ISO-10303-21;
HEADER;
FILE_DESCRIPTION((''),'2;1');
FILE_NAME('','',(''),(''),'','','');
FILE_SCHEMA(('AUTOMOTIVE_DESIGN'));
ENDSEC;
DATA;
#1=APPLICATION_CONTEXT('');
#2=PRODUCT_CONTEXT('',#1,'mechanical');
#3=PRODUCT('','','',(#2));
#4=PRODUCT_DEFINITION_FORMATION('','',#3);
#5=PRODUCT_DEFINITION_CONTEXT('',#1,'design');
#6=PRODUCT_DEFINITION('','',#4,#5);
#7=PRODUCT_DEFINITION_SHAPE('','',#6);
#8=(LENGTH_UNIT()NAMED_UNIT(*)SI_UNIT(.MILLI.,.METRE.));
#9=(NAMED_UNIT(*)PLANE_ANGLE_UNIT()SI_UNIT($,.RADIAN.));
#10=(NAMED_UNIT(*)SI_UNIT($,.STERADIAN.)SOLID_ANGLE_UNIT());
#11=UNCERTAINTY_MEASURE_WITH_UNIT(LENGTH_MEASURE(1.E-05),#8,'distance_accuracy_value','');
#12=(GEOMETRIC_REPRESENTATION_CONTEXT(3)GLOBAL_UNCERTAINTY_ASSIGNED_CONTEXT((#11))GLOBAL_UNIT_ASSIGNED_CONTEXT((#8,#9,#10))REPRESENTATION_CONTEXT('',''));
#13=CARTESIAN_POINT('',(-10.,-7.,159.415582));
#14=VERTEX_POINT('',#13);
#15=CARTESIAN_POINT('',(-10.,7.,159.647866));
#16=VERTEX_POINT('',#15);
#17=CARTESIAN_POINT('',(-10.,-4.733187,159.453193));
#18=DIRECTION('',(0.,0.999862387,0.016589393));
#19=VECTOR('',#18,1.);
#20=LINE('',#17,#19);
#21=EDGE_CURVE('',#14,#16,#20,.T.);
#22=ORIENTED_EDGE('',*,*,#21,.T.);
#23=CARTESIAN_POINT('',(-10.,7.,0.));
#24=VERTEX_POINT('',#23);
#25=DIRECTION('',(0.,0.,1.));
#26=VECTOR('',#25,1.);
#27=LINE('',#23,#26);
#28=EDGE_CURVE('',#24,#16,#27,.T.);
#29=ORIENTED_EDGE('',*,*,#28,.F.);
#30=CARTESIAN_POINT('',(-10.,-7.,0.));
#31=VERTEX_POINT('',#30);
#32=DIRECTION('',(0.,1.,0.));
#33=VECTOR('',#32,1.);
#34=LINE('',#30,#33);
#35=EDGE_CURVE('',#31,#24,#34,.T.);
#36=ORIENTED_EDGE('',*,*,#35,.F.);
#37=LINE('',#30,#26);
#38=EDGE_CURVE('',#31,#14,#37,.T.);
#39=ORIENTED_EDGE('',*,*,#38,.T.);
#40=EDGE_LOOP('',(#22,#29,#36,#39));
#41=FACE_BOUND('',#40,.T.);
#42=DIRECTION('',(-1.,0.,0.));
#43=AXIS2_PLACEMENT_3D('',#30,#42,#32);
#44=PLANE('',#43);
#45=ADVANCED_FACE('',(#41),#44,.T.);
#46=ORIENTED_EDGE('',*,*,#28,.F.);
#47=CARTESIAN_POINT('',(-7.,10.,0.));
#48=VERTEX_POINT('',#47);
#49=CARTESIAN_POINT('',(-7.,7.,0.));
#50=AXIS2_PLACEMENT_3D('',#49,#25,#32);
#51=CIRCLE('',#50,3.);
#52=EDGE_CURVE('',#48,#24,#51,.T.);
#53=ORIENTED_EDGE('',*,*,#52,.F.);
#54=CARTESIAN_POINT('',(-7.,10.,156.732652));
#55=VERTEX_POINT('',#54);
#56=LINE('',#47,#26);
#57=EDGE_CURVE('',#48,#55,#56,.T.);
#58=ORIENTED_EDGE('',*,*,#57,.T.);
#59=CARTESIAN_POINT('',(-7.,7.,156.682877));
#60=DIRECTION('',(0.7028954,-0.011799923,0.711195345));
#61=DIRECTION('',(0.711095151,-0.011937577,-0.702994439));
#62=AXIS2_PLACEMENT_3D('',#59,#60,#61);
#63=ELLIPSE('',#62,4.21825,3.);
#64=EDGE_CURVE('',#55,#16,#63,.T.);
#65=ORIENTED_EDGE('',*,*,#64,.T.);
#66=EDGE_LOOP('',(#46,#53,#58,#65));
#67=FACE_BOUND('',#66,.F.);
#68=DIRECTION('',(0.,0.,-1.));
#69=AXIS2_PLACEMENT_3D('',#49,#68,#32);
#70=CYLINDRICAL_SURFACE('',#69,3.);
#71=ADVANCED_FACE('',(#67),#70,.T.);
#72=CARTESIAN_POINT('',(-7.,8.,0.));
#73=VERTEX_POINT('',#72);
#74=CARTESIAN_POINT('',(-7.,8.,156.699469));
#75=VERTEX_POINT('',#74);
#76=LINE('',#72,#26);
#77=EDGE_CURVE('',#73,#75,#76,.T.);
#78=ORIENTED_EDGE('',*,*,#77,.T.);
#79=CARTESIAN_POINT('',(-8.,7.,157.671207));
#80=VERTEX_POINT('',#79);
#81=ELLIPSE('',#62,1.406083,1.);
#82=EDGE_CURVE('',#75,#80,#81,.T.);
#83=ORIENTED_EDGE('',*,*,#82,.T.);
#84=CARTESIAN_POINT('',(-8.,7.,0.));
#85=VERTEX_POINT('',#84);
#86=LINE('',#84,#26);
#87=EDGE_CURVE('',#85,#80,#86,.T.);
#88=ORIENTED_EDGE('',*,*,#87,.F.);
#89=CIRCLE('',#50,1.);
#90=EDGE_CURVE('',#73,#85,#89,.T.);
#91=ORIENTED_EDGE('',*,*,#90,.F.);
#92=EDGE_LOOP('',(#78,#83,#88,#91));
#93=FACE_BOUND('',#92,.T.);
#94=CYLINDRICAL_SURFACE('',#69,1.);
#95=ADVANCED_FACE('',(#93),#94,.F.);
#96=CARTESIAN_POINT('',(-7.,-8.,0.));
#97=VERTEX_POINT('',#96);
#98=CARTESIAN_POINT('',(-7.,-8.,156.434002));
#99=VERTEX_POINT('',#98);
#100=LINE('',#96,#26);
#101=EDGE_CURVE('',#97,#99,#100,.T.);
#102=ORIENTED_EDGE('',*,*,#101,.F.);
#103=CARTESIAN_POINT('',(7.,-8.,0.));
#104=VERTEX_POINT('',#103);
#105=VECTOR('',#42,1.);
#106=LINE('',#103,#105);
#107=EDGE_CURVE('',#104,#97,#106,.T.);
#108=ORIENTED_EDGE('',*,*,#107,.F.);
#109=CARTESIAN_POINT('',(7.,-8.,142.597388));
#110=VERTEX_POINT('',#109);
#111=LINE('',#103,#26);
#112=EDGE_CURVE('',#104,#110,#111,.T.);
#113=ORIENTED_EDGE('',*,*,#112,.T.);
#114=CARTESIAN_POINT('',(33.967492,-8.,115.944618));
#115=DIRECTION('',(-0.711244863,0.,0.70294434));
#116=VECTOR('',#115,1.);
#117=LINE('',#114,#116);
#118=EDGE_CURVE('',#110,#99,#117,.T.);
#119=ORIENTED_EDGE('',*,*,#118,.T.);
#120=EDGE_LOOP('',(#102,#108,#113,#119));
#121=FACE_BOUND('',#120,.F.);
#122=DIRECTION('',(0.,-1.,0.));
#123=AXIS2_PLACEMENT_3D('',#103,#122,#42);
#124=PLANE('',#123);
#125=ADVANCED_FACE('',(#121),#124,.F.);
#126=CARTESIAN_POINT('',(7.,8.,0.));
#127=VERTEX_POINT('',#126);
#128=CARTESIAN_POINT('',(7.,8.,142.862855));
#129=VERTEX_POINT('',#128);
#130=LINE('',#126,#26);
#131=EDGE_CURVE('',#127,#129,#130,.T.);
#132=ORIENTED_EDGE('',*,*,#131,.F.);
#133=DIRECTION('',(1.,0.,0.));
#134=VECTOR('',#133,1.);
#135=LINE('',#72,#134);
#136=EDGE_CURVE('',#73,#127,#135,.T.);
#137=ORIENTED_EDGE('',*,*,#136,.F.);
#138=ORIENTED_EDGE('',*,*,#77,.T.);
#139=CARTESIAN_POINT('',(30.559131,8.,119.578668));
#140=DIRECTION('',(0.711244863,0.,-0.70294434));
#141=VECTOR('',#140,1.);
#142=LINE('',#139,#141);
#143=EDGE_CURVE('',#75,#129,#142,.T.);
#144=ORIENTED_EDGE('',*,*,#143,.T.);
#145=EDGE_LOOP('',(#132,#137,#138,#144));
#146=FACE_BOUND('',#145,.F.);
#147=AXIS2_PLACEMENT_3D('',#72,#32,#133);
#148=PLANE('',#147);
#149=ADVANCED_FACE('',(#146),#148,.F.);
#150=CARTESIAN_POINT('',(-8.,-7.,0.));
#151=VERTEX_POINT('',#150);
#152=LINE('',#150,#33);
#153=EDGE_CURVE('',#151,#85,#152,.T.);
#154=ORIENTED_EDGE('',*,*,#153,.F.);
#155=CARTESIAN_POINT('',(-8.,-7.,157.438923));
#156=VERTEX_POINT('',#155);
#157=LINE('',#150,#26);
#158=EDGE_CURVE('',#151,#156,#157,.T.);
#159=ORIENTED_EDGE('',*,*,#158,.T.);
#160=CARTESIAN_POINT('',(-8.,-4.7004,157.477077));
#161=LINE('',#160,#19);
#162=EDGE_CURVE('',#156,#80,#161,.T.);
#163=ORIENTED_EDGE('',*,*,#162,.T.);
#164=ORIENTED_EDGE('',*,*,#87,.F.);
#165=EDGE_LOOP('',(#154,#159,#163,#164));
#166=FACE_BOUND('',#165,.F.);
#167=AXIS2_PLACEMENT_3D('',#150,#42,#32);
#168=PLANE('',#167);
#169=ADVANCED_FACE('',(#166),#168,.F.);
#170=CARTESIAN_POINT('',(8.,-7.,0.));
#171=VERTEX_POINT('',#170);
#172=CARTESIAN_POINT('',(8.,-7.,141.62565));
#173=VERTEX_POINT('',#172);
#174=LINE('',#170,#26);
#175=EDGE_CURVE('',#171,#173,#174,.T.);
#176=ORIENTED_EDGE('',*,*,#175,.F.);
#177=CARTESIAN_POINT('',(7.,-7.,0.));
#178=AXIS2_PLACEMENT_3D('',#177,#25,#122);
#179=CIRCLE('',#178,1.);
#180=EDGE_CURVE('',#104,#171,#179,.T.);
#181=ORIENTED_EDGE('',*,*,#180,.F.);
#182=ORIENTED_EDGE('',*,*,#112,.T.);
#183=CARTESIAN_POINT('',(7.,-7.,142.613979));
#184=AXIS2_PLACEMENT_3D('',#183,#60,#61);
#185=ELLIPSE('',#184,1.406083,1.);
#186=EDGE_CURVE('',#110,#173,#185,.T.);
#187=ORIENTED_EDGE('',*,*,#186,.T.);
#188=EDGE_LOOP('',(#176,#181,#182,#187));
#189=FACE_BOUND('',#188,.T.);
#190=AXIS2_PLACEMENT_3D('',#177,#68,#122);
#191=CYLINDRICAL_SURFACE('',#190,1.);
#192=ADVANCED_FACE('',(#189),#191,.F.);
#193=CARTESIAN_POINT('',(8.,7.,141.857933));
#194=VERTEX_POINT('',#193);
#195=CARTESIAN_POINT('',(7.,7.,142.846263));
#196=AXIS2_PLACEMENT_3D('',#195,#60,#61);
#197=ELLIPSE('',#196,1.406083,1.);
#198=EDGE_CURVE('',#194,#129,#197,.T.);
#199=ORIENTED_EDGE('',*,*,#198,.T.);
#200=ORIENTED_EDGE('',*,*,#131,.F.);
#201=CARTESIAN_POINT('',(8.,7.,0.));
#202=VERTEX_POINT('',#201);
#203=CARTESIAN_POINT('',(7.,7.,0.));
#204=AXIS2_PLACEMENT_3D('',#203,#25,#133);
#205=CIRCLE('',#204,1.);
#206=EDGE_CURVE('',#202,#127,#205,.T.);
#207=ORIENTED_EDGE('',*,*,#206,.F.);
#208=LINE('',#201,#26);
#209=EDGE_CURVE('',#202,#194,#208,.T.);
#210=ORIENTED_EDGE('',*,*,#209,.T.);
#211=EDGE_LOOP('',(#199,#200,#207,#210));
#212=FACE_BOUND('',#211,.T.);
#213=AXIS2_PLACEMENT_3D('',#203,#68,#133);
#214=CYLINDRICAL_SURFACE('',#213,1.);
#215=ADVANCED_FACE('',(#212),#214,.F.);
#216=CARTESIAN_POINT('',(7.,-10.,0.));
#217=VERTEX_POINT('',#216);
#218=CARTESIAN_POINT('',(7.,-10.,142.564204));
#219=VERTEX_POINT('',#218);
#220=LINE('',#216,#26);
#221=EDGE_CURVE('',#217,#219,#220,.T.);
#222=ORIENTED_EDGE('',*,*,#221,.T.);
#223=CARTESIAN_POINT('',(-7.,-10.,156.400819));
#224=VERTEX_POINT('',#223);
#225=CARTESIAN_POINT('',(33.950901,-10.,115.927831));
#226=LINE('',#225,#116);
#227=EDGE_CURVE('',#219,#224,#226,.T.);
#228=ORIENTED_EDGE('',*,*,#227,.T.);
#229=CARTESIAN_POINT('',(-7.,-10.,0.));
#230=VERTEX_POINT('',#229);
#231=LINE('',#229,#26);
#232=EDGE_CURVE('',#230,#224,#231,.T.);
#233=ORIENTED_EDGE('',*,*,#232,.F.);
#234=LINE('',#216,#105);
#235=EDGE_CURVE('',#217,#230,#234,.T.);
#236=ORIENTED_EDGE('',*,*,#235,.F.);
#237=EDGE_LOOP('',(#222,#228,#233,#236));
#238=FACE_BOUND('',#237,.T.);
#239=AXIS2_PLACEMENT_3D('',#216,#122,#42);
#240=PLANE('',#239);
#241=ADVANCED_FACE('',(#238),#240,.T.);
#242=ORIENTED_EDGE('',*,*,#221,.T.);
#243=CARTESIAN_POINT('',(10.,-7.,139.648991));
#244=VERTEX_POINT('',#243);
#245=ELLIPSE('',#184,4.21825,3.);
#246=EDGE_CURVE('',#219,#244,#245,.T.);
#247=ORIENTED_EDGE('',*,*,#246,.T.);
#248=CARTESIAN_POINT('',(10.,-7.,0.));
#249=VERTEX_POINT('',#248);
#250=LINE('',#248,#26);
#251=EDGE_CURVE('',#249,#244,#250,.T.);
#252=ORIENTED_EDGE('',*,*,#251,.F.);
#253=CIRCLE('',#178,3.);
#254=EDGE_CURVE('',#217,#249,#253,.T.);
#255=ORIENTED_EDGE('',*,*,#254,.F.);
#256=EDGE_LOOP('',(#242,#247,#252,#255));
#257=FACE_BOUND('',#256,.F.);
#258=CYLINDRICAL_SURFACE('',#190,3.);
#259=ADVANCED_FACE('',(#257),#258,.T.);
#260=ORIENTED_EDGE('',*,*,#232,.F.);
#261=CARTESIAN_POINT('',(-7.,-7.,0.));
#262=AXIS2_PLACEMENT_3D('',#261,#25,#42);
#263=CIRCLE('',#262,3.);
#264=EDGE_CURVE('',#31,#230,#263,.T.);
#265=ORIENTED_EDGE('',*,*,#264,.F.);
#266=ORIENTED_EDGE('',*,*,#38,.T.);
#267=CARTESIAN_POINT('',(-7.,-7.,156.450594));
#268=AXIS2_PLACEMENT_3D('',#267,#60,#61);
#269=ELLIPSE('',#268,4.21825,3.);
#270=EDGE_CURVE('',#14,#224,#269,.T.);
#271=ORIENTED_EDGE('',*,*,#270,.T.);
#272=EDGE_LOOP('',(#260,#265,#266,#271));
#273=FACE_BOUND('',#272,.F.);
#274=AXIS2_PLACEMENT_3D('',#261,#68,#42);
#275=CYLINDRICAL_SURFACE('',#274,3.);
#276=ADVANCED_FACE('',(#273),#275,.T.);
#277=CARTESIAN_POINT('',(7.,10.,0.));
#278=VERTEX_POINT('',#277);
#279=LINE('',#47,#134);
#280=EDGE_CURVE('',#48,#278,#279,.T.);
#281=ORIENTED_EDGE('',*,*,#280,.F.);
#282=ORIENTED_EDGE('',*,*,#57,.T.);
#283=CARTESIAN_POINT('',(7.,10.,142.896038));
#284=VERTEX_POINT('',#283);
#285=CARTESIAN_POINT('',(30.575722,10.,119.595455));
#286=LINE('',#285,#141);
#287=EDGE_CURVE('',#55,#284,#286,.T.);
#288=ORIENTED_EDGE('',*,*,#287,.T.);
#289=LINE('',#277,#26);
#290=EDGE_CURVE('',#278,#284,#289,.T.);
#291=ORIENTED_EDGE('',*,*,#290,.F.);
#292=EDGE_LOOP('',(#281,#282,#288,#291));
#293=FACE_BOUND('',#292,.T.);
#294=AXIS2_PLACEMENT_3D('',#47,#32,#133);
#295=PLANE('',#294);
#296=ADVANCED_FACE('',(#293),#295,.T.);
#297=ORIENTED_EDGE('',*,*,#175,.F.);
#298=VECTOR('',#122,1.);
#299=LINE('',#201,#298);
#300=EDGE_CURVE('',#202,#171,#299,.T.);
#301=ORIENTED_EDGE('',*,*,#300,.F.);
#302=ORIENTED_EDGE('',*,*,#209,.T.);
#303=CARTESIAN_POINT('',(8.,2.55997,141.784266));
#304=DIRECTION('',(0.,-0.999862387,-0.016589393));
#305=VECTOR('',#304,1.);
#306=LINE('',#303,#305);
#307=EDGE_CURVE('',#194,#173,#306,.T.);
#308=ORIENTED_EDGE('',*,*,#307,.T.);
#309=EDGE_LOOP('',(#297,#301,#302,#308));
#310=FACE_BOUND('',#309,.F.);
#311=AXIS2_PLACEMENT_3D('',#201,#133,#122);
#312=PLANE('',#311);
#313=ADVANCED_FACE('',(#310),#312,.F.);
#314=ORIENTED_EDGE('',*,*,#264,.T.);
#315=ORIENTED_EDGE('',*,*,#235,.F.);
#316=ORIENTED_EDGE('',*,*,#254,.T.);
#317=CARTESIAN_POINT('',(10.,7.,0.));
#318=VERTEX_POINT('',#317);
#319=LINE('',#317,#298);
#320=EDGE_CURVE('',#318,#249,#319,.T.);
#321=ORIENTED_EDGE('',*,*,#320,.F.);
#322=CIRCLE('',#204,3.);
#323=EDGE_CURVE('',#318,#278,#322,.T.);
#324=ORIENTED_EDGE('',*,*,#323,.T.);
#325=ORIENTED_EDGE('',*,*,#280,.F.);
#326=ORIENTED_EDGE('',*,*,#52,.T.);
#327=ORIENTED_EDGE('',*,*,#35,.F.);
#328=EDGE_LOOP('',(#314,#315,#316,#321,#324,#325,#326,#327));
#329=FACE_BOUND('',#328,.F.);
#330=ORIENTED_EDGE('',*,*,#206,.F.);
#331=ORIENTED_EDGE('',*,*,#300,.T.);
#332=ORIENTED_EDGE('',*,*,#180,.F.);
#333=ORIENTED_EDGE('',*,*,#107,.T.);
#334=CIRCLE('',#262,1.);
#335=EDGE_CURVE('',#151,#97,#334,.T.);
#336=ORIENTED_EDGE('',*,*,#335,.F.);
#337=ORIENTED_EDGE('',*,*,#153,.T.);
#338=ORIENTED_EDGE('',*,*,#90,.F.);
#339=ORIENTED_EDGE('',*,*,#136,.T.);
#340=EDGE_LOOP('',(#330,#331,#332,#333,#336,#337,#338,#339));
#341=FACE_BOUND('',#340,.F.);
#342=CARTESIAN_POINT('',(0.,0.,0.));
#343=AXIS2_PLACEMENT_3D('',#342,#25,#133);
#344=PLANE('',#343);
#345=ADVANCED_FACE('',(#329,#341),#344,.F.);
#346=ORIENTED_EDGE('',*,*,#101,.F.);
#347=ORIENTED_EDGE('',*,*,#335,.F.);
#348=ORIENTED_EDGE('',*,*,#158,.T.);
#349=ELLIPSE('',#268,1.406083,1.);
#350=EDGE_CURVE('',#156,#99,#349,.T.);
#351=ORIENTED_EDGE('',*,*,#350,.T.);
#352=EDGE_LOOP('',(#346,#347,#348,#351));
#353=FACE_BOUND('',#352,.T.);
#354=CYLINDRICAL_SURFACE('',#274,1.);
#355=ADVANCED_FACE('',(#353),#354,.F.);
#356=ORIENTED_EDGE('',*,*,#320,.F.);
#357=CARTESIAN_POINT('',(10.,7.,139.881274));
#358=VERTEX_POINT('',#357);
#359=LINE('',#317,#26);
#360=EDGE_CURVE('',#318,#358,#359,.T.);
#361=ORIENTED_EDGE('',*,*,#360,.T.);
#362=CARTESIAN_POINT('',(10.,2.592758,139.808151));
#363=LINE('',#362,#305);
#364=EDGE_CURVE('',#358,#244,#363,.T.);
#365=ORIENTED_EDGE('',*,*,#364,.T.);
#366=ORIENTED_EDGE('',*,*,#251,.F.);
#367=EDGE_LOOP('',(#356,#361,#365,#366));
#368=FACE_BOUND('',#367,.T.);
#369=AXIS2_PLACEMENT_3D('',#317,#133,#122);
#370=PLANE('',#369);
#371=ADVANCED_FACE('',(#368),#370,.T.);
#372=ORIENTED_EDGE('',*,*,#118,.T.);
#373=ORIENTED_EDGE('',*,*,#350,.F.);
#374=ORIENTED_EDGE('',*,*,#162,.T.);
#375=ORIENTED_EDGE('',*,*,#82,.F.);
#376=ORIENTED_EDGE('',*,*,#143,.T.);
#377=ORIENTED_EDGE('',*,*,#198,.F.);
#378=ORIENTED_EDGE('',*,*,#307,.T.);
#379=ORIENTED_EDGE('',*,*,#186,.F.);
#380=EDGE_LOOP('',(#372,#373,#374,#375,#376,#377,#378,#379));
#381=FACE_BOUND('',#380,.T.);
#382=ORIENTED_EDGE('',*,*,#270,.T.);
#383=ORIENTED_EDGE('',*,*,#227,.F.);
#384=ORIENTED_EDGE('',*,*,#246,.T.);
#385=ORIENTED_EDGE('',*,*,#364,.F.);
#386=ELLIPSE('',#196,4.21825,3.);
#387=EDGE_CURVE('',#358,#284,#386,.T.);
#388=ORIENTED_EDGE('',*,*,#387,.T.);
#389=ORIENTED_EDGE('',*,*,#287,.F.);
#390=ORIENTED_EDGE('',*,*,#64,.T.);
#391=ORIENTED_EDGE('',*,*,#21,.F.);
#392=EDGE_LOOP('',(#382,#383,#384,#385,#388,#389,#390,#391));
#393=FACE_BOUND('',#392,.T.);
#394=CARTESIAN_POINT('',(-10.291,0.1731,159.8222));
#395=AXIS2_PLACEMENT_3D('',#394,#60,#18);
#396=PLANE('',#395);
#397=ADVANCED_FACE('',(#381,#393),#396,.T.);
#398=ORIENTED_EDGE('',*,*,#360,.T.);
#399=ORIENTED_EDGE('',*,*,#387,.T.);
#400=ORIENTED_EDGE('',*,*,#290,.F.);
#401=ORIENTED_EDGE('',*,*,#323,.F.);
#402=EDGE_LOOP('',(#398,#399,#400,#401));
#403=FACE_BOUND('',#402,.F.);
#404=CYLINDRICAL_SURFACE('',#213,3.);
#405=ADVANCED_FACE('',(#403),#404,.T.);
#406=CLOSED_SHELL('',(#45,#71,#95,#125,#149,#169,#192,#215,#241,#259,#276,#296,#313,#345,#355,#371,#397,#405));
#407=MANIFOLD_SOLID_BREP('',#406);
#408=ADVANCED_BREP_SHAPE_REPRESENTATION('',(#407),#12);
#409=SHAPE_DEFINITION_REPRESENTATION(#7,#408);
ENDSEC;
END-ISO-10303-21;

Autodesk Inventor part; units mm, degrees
ref_plane "Start Plane" through (0, 0, 0) normal (0, 0, 1) x (1, 0, 0)
ref_plane "End Plane" through (0, 0, 159.6979) normal (0, 0, 1) x (1, 0, 0)
sketch "Sketch" plane through (0, 0, 0) normal (0, 0, 1) x (1, 0, 0)
  line L0 (-10, -7) -> (-10, 7)
  line L1 (-7, 10) -> (7, 10)
  line L2 (10, 7) -> (10, -7)
  line L3 (7, -10) -> (-7, -10)
  arc A0 (-10, -7) -> (-7, -10) centre (-7, -7) ccw
  arc A1 (-7, 10) -> (-10, 7) centre (-7, 7) ccw
  arc A2 (10, 7) -> (7, 10) centre (7, 7) ccw
  arc A3 (7, -10) -> (10, -7) centre (7, -7) ccw
  arc A4 (-7, 8) -> (-8, 7) centre (-7, 7) ccw
  line L4 (-7, 8) -> (7, 8)
  arc A5 (8, 7) -> (7, 8) centre (7, 7) ccw
  line L5 (8, 7) -> (8, -7)
  arc A6 (7, -8) -> (8, -7) centre (7, -7) ccw
  line L6 (7, -8) -> (-7, -8)
  arc A7 (-8, -7) -> (-7, -8) centre (-7, -7) ccw
  line L7 (-8, -7) -> (-8, 7)
  line L8 (0, 14.8698) -> (0, -14.8698) construction
  line L9 (-14.8698, 0) -> (14.8698, 0) construction
  dimension "d7" = 3
  dimension "d10" = 20
  dimension "d11" = 20
  dimension "d12" = 2
  dimension "d15" = 10
  dimension "d16" = 10
extrude "Body" add sketch "Sketch" along normal up to surface (159.6979 mm away) from surface at 0
sketch "Sketch3" plane through (0, 0, 0) normal (0, 0, 1) x (1, 0, 0)
  line L0 (0, 0) -> (10, 0)
ref_plane "Work Plane3" through (0, 0, 0) normal (0, -1, 0) x (1, 0, 0)
sketch "Sketch4" plane through (0, 0, 0) normal (0, -1, 0) x (1, 0, 0)
  line L0 (-2, 0) -> (12, 0)
  line L1 (-2, 159.6979) -> (12, 159.6979)
  dimension "d18" = 159.6979
ref_plane "Work Plane4" through (-10.291, 0.1731, 159.8222) normal (0.7029, -0.0118, 0.7112) x (0.7113, 0.0049, -0.7029)
split "Split1" plane through (-10.291, 0.1731, 159.8222) removes the side toward (0.7029, -0.0118, 0.7112)
equation "\"d7\" = G_IR"
equation "\"d10\" = G_H"
equation "\"d11\" = G_W"
equation "\"d12\" = G_T"
equation "\"d15\" = 0.5 * d10"
equation "\"d16\" = 0.5 * d11"
equation "\"d3\" = G_L"
equation "\"G_W\" = 20"
equation "\"G_H\" = 20"
equation "\"G_T\" = 2"
equation "\"G_IR\" = 3"
equation "\"G_L\" = 159.64806"
equation "\"G_OFFSET_START\" = 0"
equation "\"G_OFFSET_END\" = 9.69794"
equation "\"d14\" = G_OFFSET_END + B_L"
equation "\"B_L\" = 150"
properties part number "ISO 12633-2 - 20x20x2 - 159,65" material "Steel, Mild"
